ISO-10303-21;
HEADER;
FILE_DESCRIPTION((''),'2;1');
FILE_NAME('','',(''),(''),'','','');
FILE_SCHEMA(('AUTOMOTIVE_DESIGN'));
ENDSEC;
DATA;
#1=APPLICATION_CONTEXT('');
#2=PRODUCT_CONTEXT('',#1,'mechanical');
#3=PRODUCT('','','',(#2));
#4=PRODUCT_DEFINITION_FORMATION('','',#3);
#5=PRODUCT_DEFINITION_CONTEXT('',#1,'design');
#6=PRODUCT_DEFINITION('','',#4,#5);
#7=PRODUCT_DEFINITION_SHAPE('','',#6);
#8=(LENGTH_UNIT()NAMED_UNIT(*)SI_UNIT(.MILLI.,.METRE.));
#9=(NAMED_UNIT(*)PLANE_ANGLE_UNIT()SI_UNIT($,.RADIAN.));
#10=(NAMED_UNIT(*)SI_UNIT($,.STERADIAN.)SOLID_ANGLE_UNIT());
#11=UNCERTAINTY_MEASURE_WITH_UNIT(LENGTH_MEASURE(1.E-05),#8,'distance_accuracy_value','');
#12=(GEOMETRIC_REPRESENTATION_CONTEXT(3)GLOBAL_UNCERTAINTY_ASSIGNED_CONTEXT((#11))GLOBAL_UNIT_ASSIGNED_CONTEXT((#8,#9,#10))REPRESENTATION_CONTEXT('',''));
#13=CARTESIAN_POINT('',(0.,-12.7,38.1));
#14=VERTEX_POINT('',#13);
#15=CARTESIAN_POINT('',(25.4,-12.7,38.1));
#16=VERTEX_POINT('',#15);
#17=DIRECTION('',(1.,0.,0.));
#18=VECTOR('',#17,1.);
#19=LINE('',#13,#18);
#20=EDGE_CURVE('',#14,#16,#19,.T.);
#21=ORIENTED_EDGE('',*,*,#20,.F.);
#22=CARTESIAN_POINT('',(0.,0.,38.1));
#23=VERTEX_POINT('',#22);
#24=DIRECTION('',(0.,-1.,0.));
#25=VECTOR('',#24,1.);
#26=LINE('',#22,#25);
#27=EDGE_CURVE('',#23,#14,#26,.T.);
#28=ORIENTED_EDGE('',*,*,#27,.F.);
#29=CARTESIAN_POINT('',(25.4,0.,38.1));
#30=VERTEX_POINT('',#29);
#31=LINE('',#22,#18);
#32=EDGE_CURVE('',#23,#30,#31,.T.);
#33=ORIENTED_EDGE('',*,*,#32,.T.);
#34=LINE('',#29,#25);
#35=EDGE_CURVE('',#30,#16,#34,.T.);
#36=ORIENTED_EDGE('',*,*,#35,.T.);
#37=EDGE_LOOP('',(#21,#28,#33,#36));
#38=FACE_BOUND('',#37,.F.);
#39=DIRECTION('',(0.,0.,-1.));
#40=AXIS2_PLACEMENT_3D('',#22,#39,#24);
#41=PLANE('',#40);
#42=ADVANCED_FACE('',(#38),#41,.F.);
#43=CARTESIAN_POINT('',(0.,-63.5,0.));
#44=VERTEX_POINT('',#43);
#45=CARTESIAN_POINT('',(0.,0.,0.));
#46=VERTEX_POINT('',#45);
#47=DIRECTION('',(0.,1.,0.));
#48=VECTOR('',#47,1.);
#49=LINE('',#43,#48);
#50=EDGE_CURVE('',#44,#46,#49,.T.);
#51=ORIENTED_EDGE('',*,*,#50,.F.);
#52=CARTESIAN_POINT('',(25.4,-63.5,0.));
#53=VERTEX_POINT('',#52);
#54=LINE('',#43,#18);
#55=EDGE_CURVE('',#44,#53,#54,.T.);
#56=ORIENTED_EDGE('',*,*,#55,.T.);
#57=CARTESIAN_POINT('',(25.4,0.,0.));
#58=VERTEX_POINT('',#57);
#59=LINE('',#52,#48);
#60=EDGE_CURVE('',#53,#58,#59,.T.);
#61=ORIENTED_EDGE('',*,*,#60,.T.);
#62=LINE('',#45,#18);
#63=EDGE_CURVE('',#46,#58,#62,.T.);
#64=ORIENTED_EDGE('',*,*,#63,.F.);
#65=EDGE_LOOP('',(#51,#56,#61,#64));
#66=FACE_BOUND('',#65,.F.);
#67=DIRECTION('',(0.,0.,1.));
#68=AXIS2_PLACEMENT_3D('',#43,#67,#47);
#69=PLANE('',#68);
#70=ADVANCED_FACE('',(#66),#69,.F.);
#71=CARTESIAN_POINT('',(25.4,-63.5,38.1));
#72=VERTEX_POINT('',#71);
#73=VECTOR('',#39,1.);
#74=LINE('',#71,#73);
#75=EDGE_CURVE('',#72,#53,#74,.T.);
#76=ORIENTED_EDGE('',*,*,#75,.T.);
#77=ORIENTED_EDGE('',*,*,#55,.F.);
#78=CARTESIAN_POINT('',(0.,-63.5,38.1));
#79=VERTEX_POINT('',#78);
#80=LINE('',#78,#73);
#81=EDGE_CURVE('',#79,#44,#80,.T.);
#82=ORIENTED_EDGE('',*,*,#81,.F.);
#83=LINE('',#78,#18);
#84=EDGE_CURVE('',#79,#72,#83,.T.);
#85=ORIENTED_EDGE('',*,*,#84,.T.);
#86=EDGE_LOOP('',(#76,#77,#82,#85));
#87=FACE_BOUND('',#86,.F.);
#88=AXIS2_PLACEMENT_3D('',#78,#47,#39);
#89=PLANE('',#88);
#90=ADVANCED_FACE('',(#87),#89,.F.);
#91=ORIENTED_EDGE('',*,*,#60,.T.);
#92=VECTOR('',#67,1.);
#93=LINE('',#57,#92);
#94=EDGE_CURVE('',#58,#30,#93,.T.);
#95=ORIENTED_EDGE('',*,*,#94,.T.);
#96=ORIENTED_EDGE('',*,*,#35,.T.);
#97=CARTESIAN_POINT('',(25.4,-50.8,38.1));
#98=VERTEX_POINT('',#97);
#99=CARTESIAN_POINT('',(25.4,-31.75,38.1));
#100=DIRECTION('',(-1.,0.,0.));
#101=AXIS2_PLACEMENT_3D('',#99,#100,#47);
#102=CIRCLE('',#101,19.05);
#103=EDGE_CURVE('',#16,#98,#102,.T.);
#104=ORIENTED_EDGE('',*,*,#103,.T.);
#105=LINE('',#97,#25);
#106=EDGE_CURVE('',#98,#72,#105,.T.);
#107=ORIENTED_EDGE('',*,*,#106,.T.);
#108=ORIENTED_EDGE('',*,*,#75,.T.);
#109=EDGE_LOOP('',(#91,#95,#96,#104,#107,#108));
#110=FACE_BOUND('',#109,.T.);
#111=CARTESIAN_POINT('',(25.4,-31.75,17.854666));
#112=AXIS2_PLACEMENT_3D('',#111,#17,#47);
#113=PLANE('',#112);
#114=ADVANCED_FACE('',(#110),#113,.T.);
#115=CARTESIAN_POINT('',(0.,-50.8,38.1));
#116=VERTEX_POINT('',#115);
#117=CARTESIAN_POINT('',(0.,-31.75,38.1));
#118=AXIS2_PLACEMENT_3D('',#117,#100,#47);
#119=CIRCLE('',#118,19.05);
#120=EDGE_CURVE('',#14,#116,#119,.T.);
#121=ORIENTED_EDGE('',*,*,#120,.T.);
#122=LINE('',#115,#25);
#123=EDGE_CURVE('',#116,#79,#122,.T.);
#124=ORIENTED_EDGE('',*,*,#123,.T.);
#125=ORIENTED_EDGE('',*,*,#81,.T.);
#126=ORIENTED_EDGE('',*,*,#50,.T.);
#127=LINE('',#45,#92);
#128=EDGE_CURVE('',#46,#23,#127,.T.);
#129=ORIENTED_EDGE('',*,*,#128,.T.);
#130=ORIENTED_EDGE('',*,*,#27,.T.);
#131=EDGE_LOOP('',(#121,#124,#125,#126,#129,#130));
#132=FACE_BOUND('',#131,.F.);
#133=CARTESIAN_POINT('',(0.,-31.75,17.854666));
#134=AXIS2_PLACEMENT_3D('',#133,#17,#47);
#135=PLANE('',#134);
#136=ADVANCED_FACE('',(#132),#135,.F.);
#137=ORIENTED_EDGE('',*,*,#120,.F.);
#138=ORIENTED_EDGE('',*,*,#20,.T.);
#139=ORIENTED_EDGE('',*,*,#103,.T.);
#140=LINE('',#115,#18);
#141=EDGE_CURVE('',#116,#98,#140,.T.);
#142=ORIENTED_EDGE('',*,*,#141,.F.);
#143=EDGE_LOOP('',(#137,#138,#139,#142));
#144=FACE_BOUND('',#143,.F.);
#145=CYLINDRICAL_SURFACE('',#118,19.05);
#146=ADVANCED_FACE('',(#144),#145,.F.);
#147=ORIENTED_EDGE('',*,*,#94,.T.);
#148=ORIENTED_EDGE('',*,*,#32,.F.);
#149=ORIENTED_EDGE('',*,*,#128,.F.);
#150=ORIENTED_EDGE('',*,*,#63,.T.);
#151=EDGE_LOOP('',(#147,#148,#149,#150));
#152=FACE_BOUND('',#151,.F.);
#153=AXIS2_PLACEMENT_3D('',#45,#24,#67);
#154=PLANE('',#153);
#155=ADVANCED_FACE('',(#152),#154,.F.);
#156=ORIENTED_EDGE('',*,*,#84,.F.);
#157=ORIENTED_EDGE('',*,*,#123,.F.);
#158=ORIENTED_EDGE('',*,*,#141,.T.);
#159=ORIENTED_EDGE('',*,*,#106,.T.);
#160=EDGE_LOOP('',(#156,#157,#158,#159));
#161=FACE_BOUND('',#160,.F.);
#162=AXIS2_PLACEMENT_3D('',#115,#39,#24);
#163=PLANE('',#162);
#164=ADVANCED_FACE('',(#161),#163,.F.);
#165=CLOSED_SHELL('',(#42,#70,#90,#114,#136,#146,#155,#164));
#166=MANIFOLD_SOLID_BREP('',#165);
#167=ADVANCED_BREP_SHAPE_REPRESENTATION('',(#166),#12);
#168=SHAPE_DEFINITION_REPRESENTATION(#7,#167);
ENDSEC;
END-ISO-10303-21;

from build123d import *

# Parameters (mm, degrees)
F1_DEPTH = 25.4


with BuildPart() as f1:
    # F0 (on Right) → F1 (new body)
    with BuildSketch(Plane.YZ):
        with BuildLine():
            Line((-63.5, 0), (0, 0))
            Line((0, 0), (0, 38.1))
            Line((0, 38.1), (-12.7, 38.1))
            ThreePointArc((-12.7, 38.1), (-31.75, 19.05), (-50.8, 38.1))
            Line((-50.8, 38.1), (-63.5, 38.1))
            Line((-63.5, 38.1), (-63.5, 0))
        make_face()
    extrude(amount=F1_DEPTH)


solid = f1.part
